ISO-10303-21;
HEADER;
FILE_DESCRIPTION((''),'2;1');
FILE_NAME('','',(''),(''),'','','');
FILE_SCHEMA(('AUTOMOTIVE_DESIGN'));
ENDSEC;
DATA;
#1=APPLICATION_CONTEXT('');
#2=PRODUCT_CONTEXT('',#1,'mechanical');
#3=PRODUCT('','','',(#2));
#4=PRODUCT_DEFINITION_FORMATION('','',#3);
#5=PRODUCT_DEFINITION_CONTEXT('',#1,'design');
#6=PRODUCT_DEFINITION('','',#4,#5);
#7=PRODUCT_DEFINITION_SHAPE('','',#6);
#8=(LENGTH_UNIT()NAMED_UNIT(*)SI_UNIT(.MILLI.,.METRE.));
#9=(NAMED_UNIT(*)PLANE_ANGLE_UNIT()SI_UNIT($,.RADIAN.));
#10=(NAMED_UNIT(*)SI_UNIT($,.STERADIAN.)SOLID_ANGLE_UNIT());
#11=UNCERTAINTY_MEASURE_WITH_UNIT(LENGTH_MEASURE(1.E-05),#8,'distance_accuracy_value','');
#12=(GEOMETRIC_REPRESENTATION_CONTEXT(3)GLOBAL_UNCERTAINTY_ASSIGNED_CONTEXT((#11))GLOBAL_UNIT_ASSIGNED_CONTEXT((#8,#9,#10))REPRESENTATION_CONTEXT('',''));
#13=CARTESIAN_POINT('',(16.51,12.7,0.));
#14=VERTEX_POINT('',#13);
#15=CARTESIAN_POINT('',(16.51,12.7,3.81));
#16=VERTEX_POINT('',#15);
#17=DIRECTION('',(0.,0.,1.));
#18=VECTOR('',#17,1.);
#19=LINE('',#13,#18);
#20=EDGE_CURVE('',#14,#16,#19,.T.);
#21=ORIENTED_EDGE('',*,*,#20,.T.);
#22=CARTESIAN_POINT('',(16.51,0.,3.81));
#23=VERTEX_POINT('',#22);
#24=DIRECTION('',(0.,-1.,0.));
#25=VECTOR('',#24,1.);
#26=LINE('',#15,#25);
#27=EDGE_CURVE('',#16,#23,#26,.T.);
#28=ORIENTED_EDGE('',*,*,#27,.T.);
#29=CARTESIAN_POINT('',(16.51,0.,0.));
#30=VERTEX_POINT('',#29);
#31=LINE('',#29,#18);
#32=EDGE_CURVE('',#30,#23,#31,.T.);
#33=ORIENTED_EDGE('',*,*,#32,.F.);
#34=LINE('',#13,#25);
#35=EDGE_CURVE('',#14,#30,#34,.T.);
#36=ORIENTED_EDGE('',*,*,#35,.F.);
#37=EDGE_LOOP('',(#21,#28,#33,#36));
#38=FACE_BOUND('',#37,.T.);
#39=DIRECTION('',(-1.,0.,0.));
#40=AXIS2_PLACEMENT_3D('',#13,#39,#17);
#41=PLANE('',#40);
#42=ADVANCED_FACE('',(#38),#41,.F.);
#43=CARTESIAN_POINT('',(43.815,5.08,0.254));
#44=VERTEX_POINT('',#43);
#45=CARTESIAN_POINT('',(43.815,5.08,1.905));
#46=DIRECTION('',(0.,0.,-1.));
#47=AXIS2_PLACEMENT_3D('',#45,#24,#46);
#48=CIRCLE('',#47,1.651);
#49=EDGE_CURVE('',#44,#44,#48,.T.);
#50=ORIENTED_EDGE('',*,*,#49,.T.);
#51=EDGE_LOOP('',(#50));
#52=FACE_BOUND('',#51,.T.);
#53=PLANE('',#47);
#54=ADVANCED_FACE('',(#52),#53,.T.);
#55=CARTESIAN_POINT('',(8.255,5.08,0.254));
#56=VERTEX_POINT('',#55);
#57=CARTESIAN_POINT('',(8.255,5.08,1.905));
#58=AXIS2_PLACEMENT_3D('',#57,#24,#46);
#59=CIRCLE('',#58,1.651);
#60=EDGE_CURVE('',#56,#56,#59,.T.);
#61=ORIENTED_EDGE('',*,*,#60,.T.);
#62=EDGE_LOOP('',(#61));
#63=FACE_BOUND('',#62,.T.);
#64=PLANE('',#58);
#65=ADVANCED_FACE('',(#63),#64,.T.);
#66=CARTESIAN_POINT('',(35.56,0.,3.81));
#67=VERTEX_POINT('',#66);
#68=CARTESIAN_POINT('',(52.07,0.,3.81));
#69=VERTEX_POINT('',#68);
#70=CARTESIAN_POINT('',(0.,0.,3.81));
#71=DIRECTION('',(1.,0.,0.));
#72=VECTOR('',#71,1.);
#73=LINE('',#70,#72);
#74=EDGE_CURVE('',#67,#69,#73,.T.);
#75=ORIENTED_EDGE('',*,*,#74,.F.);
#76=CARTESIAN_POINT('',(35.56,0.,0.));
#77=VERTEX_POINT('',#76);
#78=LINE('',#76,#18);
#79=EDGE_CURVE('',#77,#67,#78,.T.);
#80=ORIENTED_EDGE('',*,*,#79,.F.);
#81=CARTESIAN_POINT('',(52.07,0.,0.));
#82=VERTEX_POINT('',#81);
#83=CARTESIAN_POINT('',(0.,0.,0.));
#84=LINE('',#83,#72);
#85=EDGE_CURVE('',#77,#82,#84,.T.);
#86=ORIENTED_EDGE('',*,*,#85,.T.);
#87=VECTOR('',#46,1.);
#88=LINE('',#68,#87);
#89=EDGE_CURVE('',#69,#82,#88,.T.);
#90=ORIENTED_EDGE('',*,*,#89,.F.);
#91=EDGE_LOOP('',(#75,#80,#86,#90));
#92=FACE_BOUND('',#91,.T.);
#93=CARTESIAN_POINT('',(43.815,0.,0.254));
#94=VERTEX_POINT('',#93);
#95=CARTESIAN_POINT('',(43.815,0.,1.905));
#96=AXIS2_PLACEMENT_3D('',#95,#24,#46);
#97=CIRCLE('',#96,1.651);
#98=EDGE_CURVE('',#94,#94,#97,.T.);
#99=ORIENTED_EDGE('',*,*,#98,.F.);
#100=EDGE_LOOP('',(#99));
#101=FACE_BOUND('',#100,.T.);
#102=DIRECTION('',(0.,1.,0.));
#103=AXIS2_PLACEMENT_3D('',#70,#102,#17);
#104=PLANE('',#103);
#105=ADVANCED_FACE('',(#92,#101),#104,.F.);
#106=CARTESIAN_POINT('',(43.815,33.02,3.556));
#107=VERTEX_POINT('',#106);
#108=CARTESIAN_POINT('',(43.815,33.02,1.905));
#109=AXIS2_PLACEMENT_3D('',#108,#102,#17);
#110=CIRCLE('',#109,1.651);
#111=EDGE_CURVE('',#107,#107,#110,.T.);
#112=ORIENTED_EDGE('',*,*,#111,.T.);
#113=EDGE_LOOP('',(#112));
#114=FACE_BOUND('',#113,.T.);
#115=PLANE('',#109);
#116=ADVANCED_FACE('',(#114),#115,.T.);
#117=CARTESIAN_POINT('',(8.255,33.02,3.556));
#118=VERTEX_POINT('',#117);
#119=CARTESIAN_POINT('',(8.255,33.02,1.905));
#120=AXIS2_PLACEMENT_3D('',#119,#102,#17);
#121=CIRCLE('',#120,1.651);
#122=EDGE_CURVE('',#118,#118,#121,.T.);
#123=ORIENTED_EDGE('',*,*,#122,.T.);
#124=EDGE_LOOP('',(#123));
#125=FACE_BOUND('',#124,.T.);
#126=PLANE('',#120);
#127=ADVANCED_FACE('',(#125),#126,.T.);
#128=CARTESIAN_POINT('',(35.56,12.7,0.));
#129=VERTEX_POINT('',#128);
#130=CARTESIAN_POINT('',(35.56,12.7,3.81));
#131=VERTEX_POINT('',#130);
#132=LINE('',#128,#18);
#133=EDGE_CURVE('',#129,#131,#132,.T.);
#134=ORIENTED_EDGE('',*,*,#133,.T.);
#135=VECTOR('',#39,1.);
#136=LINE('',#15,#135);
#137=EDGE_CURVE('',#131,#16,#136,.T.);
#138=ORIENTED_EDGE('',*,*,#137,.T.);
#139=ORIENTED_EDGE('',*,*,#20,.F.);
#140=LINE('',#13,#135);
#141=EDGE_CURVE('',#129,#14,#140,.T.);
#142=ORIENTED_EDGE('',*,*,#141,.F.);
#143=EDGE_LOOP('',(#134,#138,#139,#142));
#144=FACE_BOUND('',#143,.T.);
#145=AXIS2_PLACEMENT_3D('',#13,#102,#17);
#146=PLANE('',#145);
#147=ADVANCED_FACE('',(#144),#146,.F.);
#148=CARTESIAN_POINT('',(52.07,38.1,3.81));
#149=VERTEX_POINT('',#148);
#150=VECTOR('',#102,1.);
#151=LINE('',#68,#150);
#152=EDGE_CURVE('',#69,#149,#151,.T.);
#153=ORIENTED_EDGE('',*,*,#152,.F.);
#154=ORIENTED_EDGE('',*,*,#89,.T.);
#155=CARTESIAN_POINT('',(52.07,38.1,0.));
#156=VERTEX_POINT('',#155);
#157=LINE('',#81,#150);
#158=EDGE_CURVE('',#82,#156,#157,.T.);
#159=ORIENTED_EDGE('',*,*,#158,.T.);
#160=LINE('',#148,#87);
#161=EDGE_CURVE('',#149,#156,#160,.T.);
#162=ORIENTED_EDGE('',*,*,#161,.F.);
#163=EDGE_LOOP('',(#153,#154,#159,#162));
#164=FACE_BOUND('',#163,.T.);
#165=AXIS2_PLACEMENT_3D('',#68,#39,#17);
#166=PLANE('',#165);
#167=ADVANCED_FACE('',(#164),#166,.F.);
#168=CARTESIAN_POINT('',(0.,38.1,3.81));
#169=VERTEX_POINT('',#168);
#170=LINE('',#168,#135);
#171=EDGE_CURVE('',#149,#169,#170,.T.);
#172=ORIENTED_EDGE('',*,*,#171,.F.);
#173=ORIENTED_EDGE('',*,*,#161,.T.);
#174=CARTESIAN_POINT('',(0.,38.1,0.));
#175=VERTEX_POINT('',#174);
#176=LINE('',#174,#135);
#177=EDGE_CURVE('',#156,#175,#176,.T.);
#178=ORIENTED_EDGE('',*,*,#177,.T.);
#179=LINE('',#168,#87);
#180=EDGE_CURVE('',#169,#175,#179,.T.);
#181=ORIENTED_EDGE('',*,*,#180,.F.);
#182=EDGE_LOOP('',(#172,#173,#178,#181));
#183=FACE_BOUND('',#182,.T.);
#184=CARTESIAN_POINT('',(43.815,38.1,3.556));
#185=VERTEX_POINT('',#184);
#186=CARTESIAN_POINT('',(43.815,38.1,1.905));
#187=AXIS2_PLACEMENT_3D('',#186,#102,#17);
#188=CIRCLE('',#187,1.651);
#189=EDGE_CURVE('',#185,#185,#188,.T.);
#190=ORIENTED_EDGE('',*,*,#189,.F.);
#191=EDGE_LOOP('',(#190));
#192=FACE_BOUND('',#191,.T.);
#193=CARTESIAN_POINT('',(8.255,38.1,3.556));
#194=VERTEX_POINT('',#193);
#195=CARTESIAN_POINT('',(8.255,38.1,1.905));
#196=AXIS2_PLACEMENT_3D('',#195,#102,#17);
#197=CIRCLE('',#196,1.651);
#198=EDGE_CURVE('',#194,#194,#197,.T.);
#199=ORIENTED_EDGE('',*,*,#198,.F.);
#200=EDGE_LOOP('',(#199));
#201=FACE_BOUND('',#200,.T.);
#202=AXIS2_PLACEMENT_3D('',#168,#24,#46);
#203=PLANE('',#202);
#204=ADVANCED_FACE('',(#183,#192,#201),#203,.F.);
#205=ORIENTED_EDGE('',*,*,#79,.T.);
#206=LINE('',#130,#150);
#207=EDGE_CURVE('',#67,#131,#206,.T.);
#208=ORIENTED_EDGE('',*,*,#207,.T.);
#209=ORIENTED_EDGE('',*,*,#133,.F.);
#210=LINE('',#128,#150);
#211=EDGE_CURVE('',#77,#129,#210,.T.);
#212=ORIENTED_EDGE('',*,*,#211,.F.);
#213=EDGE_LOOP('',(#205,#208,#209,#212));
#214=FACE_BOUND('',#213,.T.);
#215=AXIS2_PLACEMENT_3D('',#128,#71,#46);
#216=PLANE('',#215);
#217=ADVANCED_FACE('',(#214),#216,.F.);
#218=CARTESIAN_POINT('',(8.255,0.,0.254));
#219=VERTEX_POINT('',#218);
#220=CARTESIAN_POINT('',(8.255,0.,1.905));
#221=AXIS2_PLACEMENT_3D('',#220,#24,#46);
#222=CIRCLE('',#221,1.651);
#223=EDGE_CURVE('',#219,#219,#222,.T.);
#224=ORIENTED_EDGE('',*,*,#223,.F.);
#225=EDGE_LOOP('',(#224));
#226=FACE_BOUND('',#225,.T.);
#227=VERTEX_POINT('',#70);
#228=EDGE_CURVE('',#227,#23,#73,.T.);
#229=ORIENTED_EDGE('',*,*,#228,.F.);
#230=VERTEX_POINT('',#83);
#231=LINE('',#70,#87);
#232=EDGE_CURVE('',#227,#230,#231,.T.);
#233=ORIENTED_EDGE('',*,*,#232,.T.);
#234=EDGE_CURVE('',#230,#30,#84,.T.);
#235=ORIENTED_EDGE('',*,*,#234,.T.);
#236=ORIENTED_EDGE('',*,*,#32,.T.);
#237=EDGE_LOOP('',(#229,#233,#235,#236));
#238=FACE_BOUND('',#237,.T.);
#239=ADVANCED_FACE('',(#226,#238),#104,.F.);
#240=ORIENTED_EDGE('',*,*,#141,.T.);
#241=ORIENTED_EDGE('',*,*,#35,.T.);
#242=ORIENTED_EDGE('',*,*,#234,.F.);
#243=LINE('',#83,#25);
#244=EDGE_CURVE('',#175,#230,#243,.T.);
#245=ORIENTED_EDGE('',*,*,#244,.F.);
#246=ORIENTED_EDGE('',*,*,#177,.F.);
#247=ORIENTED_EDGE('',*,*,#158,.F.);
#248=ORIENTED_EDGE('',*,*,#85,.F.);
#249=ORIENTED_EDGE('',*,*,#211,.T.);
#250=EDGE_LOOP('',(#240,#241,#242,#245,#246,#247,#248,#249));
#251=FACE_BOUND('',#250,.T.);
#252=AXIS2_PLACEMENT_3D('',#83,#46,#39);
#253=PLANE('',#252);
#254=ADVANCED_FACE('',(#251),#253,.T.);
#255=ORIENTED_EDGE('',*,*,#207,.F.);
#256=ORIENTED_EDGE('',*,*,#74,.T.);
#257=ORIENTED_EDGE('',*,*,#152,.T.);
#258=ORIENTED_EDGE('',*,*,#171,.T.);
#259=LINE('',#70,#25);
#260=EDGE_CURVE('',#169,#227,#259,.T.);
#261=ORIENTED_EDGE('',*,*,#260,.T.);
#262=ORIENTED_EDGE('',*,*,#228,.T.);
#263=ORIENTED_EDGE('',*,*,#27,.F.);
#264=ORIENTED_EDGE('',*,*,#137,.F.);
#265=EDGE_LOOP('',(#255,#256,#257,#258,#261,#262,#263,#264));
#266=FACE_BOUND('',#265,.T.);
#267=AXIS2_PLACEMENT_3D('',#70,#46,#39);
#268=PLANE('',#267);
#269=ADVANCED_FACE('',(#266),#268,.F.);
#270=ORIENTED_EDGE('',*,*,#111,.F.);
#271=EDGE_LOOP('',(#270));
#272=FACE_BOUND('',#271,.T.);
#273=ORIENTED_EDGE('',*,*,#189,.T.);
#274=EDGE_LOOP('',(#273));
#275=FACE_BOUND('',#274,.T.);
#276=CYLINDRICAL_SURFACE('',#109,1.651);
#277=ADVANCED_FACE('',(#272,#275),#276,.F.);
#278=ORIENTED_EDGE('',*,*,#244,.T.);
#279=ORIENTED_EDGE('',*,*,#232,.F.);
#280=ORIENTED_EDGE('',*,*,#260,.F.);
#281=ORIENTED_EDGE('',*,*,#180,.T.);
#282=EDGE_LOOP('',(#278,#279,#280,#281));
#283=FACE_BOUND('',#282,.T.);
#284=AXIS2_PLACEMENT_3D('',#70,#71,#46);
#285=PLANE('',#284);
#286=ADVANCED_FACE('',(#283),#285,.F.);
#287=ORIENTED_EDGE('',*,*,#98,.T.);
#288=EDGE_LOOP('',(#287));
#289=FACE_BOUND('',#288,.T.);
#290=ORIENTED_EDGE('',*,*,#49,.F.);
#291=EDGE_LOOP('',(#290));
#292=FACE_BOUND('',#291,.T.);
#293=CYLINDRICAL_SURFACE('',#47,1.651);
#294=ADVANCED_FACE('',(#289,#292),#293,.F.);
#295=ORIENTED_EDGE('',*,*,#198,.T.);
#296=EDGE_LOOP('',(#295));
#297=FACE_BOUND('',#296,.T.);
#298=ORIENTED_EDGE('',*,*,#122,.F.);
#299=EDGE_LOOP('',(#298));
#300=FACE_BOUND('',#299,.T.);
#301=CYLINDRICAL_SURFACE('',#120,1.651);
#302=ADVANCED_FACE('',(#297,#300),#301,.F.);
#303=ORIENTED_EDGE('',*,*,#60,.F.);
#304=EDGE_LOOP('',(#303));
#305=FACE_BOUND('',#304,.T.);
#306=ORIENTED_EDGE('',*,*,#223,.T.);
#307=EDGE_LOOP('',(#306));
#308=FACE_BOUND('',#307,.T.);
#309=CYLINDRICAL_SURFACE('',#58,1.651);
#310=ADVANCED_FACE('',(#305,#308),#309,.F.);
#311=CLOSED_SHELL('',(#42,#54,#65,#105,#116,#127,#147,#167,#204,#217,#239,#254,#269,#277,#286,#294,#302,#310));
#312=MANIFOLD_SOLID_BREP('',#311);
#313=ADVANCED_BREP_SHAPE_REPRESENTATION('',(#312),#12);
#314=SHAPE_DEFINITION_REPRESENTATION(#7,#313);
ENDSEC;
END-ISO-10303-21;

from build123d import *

# Parameters (mm, degrees)
SKETCH3_W           = 52.07
SKETCH3_H           = 38.1
BOSS_EXTRUDE2_DEPTH = 3.81
SKETCH4_W           = 19.05
SKETCH4_H           = 12.7
CUT_EXTRUDE1_DEPTH  = 65.632894102
SKETCH6_R           = 1.651
CUT_EXTRUDE2_DEPTH  = 5.08
CUT_EXTRUDE3_START  = -5.08
SKETCH8_R           = 1.651
CUT_EXTRUDE3_DEPTH  = 5.08


with BuildPart() as part:
    # Sketch3 → Boss-Extrude2 (new body)
    with BuildSketch(Plane.XY):
        with Locations((26.035, 19.05)):
            Rectangle(SKETCH3_W, SKETCH3_H)
    extrude(amount=BOSS_EXTRUDE2_DEPTH)

    # Sketch4 → Cut-Extrude1 (cut, through all)
    with BuildSketch(Plane.XY.offset(3.81)):
        with Locations((26.035, 6.35)):
            Rectangle(SKETCH4_W, SKETCH4_H)
    extrude(amount=-CUT_EXTRUDE1_DEPTH, mode=Mode.SUBTRACT)

    # Sketch6 → Cut-Extrude2 (cut)
    with BuildSketch(Plane.XZ):
        with Locations(Location((8.255, 1.905, 0), (0, 0, 270))):
            Circle(SKETCH6_R)
        with Locations(Location((43.815, 1.905, 0), (0, 0, 270))):
            Circle(SKETCH6_R)
    extrude(amount=-CUT_EXTRUDE2_DEPTH, mode=Mode.SUBTRACT)

    # Sketch8 → Cut-Extrude3 (cut)
    with BuildSketch(Plane(origin=(0, 38.1, 0), x_dir=(1, 0, 0), z_dir=(0, 1, 0)).offset(CUT_EXTRUDE3_START)):
        with Locations(Location((8.255, -1.905, 0), (0, 0, 90))):
            Circle(SKETCH8_R)
        with Locations(Location((43.815, -1.905, 0), (0, 0, 90))):
            Circle(SKETCH8_R)
    extrude(amount=CUT_EXTRUDE3_DEPTH, mode=Mode.SUBTRACT)


solid = part.part
